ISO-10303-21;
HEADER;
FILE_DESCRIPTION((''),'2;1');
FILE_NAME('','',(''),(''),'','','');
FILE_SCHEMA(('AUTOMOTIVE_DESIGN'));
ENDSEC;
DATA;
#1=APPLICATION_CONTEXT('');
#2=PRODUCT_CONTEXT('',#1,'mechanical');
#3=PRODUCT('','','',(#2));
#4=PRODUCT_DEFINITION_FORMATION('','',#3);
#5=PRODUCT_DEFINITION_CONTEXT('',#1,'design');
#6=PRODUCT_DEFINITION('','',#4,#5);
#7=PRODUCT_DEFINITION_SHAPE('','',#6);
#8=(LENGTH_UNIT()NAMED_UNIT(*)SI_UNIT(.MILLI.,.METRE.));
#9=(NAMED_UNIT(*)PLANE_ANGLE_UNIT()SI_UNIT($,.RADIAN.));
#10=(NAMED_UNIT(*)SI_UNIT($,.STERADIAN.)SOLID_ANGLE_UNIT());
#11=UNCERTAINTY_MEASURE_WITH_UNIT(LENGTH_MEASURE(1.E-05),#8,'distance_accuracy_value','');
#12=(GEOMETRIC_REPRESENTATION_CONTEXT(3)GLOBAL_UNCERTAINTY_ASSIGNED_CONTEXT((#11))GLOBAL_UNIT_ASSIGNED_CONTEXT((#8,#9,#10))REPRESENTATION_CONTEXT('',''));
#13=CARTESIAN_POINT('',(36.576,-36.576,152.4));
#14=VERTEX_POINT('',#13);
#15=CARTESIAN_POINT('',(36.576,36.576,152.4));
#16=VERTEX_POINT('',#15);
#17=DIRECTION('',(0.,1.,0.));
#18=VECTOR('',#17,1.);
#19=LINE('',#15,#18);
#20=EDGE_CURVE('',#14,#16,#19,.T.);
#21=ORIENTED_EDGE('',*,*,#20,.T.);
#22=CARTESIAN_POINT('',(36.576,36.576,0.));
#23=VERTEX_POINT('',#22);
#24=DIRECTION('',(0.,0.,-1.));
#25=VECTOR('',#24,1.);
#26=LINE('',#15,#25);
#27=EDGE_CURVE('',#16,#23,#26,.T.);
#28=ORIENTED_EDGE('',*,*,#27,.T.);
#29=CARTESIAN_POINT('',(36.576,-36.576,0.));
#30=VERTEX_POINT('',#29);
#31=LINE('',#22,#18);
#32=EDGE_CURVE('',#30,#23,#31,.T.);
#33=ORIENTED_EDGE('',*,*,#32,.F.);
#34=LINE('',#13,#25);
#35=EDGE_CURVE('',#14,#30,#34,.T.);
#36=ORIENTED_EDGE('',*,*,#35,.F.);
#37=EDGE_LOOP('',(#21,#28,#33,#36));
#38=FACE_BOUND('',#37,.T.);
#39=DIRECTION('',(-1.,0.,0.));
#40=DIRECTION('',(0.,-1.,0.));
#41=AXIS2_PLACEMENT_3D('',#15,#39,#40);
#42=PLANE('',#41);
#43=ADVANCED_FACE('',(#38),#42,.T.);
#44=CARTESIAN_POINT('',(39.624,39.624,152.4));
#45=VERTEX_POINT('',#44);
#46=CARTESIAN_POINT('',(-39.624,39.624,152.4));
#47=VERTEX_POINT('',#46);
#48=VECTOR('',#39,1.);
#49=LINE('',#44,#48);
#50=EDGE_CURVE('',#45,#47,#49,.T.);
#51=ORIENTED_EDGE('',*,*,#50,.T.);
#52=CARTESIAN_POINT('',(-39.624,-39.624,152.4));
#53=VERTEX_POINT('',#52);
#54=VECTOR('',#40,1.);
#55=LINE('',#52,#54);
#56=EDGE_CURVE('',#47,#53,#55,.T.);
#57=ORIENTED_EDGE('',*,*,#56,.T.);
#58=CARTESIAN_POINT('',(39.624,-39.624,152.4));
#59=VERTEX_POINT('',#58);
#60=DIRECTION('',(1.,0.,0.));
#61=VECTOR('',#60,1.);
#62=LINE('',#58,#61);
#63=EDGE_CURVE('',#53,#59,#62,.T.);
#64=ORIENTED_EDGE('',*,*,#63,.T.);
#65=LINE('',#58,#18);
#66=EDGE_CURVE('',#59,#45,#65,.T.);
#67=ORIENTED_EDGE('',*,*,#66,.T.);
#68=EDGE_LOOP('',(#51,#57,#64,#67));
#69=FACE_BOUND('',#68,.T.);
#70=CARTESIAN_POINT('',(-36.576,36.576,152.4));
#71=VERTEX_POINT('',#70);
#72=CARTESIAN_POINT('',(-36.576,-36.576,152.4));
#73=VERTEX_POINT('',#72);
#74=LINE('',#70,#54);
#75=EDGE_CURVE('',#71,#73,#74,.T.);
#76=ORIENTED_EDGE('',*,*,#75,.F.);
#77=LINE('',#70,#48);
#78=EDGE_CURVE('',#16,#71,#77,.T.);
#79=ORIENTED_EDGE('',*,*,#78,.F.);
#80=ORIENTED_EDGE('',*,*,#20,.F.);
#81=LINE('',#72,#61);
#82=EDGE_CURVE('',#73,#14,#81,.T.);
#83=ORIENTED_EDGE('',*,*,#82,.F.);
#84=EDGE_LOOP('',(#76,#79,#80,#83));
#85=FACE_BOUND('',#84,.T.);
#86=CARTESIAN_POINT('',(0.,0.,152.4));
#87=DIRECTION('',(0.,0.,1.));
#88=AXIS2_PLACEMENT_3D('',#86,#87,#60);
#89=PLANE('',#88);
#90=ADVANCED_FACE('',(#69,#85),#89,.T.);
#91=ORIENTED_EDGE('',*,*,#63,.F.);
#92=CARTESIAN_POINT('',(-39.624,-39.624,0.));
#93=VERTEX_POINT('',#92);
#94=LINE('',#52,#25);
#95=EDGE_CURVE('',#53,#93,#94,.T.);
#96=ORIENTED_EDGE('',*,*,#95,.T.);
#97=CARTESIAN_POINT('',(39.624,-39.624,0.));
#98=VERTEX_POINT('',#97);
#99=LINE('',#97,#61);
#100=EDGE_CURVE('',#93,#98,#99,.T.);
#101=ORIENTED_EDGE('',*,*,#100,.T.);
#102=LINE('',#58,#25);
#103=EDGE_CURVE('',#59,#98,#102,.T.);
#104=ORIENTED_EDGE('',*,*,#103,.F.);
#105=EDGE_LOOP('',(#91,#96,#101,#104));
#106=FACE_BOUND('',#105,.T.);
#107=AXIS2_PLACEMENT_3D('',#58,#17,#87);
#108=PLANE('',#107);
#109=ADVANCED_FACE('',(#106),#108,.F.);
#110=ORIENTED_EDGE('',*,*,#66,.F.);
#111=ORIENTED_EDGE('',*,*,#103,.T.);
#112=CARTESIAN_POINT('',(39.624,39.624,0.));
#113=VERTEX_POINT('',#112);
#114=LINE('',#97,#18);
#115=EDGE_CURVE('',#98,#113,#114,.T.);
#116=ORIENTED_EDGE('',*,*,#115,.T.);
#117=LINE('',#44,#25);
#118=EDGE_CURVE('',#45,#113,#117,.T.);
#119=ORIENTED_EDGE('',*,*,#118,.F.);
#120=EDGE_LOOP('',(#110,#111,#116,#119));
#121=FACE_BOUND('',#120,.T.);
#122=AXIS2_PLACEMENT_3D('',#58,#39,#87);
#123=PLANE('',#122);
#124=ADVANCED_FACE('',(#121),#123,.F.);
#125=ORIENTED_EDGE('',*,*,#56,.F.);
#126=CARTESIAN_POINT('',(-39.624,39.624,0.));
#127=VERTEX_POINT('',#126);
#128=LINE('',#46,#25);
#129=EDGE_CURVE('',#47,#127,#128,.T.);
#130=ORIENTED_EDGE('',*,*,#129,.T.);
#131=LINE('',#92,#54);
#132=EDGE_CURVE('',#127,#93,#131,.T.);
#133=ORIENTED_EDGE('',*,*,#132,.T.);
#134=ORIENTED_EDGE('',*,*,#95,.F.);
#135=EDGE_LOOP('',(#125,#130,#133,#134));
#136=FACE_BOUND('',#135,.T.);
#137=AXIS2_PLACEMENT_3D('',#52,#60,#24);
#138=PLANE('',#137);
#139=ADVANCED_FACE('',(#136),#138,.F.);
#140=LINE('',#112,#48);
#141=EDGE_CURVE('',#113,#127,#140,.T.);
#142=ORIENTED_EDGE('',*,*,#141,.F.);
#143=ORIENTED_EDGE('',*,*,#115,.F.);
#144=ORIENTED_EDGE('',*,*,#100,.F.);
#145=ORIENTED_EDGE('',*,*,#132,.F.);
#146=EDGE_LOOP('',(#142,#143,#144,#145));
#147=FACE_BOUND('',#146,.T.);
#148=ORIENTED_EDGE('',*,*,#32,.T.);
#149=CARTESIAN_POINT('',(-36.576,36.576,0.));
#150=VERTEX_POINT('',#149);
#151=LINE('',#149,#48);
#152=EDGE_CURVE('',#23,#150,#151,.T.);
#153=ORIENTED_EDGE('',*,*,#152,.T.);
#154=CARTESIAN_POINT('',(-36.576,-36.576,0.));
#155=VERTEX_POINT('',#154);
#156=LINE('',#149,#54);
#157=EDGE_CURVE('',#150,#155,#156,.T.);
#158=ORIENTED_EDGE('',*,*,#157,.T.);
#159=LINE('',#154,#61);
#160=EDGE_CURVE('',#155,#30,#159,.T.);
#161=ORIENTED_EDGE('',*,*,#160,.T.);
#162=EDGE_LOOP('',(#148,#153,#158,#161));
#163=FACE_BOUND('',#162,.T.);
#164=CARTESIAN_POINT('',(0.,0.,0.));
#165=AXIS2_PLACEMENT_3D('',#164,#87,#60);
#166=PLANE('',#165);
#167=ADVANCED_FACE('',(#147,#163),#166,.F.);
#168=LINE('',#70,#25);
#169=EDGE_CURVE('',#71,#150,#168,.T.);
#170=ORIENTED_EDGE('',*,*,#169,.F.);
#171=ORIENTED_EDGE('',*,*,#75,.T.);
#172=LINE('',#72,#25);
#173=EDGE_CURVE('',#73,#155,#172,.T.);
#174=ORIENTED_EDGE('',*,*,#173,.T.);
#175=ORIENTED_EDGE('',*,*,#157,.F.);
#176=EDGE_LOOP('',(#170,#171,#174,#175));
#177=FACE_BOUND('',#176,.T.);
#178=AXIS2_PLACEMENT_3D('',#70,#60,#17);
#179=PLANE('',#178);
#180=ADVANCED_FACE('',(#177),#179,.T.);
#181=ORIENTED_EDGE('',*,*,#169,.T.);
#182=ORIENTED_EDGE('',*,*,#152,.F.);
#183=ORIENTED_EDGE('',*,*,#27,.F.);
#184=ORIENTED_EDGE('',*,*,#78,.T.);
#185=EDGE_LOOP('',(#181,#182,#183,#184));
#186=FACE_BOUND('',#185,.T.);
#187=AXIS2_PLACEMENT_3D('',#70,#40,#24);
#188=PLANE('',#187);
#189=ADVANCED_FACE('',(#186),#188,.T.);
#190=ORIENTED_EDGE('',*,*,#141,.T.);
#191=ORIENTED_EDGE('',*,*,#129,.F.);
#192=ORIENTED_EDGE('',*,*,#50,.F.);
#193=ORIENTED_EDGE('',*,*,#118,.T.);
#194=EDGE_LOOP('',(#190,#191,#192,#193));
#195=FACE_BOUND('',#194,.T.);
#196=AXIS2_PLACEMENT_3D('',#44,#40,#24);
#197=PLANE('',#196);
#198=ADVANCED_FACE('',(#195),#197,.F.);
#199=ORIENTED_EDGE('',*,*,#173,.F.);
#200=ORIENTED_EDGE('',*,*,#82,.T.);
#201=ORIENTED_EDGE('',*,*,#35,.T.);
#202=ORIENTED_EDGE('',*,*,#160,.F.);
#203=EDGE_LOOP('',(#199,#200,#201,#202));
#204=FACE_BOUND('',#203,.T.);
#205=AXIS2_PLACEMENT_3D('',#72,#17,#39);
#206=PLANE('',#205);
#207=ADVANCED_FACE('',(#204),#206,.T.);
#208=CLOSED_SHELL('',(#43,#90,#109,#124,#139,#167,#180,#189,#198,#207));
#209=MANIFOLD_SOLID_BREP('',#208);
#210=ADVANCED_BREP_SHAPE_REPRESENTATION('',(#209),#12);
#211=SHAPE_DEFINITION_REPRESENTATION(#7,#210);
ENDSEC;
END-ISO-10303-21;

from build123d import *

# Parameters (mm, degrees)
SKETCH1_W           = 79.248
SKETCH1_H           = 79.248
SKETCH1_W_2         = 73.152
SKETCH1_H_2         = 73.152
BOSS_EXTRUDE1_DEPTH = 152.4


with BuildPart() as part:
    # Sketch1 → Boss-Extrude1 (new body)
    with BuildSketch(Plane.XY):
        Rectangle(SKETCH1_W, SKETCH1_H)
        Rectangle(SKETCH1_W_2, SKETCH1_H_2, mode=Mode.SUBTRACT)
    extrude(amount=BOSS_EXTRUDE1_DEPTH)


solid = part.part
